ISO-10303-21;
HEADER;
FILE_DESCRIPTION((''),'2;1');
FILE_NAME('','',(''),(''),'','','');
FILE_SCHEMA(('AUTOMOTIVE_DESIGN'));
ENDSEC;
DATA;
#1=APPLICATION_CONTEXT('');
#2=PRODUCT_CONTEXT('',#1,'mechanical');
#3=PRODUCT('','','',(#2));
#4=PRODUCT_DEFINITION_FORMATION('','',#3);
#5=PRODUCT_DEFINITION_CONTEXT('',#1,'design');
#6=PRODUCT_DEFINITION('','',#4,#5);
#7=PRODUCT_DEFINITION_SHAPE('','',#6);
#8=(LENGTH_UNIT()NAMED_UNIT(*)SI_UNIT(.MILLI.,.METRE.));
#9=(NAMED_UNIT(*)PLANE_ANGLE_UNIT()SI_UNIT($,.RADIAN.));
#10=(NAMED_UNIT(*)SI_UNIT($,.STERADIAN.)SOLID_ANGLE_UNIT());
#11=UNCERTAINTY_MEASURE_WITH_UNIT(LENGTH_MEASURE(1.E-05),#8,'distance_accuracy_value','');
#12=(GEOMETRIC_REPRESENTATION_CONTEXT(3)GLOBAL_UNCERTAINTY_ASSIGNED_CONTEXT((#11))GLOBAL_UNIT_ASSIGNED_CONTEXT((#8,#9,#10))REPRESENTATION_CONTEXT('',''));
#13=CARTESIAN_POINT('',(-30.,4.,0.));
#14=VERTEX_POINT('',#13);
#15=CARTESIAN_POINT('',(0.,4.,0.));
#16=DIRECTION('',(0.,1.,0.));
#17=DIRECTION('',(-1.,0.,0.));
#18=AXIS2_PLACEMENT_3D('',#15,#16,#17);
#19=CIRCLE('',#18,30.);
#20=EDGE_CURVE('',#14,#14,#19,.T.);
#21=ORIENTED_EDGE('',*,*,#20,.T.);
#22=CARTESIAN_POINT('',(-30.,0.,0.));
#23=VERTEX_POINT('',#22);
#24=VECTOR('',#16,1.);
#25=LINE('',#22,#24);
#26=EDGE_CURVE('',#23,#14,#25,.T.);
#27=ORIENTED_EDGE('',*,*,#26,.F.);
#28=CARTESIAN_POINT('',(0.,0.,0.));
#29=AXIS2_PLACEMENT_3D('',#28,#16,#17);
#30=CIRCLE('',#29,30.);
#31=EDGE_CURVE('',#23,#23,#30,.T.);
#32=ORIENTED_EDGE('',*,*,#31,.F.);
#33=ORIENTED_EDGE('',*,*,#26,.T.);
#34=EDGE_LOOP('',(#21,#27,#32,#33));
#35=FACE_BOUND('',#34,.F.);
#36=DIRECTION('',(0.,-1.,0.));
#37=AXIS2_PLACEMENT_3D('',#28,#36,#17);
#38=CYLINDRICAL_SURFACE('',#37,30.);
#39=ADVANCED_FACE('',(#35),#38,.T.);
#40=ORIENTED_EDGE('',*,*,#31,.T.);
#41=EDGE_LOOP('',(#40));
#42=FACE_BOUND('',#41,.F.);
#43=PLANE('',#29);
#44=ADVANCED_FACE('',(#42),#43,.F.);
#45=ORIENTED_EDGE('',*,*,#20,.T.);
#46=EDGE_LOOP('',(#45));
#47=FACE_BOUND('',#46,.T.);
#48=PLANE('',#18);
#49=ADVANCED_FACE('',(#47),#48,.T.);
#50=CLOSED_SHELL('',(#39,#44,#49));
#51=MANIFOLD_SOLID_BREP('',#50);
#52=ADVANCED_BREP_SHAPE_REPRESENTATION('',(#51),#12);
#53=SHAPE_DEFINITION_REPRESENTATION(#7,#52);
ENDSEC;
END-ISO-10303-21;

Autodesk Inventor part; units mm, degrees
ref_plane "YZ Plane" through (0, 0, 0) normal (1, 0, 0) x (0, 1, 0)
ref_plane "XZ Plane" through (0, 0, 0) normal (0, 1, 0) x (-1, 0, 0)
ref_plane "XY Plane" through (0, 0, 0) normal (0, 0, 1) x (1, 0, 0)
sketch "Sketch1" plane through (0, 0, 0) normal (0, 1, 0) x (-1, 0, 0)
  circle A0 centre (0, 0) radius 30
  dimension "d0" = 60
extrude "Extrusion1" add sketch "Sketch1" along normal blind 4
properties part number "objeto1"
